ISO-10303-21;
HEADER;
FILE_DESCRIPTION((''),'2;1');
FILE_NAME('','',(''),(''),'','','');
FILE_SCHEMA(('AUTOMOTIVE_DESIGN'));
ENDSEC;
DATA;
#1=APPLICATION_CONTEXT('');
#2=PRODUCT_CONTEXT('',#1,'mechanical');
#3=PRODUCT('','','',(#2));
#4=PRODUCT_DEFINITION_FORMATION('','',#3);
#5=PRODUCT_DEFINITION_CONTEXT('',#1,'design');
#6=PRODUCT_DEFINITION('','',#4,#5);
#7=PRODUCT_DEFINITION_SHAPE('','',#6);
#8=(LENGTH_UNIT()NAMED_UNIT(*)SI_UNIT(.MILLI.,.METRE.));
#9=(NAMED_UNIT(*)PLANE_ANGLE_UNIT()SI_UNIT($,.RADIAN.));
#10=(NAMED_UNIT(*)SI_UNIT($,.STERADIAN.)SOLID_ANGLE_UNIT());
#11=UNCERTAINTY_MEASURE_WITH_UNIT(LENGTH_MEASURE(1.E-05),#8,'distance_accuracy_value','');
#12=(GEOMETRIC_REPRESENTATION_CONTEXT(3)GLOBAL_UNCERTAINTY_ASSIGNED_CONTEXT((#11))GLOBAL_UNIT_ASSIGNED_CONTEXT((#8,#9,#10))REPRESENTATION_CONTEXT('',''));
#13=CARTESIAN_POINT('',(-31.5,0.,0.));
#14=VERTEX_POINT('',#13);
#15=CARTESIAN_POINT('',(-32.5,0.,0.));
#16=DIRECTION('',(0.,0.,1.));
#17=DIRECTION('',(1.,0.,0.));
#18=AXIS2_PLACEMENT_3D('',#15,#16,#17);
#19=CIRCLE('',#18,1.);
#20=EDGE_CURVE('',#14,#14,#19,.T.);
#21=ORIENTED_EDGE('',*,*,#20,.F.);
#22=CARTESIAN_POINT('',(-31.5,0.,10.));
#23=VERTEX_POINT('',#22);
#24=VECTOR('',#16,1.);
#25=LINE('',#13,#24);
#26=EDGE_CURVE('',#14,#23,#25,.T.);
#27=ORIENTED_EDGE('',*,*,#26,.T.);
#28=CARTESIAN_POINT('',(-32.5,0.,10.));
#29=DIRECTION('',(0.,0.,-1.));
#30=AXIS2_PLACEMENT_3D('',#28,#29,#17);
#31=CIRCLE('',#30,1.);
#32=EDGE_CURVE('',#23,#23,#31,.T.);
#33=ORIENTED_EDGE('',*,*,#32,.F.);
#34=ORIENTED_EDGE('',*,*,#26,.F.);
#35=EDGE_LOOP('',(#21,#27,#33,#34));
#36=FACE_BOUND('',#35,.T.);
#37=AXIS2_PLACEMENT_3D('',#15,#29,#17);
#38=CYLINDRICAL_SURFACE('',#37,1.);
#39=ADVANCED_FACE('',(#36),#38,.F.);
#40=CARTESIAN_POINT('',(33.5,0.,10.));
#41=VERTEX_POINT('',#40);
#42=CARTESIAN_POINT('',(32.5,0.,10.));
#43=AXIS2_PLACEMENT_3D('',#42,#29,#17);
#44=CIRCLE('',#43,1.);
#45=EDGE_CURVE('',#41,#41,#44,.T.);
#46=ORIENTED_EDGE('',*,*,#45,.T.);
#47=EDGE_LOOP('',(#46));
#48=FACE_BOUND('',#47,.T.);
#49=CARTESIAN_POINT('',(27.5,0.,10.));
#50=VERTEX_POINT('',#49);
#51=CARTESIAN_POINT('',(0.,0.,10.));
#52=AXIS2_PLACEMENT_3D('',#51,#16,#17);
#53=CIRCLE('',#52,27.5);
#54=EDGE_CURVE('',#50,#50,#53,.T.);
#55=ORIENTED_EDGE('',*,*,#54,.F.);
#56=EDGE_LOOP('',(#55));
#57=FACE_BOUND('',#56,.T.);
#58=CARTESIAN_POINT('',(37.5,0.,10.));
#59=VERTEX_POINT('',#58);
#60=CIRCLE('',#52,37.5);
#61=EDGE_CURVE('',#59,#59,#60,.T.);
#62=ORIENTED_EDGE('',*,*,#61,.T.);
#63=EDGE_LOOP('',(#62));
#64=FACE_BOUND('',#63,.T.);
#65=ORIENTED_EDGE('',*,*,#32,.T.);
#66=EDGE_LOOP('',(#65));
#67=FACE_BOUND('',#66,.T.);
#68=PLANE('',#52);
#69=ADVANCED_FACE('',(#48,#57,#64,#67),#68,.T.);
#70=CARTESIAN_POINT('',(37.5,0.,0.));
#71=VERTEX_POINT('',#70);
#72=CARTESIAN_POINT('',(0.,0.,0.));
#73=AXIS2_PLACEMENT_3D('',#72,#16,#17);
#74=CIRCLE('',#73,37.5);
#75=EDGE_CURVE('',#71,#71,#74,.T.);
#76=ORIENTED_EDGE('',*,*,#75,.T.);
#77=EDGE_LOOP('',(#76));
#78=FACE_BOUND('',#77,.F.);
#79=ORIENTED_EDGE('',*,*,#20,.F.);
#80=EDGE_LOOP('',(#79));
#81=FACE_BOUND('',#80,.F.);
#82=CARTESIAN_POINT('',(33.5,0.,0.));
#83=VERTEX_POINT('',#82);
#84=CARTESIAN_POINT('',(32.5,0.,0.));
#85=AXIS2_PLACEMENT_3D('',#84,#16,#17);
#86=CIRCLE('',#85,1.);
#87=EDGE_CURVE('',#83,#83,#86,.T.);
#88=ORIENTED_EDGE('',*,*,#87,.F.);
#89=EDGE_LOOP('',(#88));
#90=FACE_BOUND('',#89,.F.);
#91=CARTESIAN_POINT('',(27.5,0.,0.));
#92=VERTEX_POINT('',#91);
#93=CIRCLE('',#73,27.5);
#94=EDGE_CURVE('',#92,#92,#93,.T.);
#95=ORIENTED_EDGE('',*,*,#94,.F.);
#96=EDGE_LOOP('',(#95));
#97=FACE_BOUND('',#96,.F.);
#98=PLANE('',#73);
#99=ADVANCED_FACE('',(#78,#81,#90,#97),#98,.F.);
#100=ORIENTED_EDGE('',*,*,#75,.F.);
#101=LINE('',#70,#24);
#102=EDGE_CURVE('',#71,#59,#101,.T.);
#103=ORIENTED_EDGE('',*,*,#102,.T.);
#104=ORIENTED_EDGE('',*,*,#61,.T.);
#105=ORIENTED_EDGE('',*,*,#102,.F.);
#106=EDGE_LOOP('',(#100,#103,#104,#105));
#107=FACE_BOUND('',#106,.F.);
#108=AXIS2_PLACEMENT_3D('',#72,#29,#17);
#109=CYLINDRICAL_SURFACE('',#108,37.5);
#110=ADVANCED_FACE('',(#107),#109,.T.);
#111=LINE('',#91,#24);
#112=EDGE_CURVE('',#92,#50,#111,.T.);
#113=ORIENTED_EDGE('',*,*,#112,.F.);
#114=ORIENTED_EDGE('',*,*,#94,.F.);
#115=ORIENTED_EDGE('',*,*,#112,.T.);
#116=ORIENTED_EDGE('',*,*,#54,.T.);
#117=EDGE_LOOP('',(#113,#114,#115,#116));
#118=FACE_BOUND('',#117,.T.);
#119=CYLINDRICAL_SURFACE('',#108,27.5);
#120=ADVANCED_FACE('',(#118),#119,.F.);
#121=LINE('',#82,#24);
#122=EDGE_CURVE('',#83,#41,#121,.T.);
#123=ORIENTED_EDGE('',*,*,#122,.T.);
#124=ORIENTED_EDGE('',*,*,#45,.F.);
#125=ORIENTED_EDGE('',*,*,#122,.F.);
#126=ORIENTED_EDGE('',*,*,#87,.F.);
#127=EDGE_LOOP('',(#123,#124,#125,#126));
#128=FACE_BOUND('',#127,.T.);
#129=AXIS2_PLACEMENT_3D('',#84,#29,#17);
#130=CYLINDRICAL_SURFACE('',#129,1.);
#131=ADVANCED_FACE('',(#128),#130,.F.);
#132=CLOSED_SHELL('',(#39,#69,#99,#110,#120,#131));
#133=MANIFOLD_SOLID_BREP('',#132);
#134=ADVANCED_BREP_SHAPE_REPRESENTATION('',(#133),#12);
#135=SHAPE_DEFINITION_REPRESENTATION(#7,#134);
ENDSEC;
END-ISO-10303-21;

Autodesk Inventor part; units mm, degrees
ref_plane "YZ Plane" through (0, 0, 0) normal (1, 0, 0) x (0, 1, 0)
ref_plane "XZ Plane" through (0, 0, 0) normal (0, 1, 0) x (-1, 0, 0)
ref_plane "XY Plane" through (0, 0, 0) normal (0, 0, 1) x (1, 0, 0)
sketch "Sketch1" plane through (0, 0, 0) normal (0, 0, 1) x (1, 0, 0)
  circle A0 centre (0, 0) radius 37.5
  circle A1 centre (0, 0) radius 32.5
  circle A2 centre (-32.5, 0) radius 1
  circle A3 centre (32.5, 0) radius 1
  circle A4 centre (0, 0) radius 27.5
  dimension "d0" = 75
  dimension "d1" = 65
  dimension "d2" = 2
  dimension "d3" = 2
  dimension "d4" = 55
extrude "Extrusion1" add sketch "Sketch1" along normal blind 10 contours A0 | A3 A1 A2
properties part number "THz Polarizer" material "Phenolic Resin"
